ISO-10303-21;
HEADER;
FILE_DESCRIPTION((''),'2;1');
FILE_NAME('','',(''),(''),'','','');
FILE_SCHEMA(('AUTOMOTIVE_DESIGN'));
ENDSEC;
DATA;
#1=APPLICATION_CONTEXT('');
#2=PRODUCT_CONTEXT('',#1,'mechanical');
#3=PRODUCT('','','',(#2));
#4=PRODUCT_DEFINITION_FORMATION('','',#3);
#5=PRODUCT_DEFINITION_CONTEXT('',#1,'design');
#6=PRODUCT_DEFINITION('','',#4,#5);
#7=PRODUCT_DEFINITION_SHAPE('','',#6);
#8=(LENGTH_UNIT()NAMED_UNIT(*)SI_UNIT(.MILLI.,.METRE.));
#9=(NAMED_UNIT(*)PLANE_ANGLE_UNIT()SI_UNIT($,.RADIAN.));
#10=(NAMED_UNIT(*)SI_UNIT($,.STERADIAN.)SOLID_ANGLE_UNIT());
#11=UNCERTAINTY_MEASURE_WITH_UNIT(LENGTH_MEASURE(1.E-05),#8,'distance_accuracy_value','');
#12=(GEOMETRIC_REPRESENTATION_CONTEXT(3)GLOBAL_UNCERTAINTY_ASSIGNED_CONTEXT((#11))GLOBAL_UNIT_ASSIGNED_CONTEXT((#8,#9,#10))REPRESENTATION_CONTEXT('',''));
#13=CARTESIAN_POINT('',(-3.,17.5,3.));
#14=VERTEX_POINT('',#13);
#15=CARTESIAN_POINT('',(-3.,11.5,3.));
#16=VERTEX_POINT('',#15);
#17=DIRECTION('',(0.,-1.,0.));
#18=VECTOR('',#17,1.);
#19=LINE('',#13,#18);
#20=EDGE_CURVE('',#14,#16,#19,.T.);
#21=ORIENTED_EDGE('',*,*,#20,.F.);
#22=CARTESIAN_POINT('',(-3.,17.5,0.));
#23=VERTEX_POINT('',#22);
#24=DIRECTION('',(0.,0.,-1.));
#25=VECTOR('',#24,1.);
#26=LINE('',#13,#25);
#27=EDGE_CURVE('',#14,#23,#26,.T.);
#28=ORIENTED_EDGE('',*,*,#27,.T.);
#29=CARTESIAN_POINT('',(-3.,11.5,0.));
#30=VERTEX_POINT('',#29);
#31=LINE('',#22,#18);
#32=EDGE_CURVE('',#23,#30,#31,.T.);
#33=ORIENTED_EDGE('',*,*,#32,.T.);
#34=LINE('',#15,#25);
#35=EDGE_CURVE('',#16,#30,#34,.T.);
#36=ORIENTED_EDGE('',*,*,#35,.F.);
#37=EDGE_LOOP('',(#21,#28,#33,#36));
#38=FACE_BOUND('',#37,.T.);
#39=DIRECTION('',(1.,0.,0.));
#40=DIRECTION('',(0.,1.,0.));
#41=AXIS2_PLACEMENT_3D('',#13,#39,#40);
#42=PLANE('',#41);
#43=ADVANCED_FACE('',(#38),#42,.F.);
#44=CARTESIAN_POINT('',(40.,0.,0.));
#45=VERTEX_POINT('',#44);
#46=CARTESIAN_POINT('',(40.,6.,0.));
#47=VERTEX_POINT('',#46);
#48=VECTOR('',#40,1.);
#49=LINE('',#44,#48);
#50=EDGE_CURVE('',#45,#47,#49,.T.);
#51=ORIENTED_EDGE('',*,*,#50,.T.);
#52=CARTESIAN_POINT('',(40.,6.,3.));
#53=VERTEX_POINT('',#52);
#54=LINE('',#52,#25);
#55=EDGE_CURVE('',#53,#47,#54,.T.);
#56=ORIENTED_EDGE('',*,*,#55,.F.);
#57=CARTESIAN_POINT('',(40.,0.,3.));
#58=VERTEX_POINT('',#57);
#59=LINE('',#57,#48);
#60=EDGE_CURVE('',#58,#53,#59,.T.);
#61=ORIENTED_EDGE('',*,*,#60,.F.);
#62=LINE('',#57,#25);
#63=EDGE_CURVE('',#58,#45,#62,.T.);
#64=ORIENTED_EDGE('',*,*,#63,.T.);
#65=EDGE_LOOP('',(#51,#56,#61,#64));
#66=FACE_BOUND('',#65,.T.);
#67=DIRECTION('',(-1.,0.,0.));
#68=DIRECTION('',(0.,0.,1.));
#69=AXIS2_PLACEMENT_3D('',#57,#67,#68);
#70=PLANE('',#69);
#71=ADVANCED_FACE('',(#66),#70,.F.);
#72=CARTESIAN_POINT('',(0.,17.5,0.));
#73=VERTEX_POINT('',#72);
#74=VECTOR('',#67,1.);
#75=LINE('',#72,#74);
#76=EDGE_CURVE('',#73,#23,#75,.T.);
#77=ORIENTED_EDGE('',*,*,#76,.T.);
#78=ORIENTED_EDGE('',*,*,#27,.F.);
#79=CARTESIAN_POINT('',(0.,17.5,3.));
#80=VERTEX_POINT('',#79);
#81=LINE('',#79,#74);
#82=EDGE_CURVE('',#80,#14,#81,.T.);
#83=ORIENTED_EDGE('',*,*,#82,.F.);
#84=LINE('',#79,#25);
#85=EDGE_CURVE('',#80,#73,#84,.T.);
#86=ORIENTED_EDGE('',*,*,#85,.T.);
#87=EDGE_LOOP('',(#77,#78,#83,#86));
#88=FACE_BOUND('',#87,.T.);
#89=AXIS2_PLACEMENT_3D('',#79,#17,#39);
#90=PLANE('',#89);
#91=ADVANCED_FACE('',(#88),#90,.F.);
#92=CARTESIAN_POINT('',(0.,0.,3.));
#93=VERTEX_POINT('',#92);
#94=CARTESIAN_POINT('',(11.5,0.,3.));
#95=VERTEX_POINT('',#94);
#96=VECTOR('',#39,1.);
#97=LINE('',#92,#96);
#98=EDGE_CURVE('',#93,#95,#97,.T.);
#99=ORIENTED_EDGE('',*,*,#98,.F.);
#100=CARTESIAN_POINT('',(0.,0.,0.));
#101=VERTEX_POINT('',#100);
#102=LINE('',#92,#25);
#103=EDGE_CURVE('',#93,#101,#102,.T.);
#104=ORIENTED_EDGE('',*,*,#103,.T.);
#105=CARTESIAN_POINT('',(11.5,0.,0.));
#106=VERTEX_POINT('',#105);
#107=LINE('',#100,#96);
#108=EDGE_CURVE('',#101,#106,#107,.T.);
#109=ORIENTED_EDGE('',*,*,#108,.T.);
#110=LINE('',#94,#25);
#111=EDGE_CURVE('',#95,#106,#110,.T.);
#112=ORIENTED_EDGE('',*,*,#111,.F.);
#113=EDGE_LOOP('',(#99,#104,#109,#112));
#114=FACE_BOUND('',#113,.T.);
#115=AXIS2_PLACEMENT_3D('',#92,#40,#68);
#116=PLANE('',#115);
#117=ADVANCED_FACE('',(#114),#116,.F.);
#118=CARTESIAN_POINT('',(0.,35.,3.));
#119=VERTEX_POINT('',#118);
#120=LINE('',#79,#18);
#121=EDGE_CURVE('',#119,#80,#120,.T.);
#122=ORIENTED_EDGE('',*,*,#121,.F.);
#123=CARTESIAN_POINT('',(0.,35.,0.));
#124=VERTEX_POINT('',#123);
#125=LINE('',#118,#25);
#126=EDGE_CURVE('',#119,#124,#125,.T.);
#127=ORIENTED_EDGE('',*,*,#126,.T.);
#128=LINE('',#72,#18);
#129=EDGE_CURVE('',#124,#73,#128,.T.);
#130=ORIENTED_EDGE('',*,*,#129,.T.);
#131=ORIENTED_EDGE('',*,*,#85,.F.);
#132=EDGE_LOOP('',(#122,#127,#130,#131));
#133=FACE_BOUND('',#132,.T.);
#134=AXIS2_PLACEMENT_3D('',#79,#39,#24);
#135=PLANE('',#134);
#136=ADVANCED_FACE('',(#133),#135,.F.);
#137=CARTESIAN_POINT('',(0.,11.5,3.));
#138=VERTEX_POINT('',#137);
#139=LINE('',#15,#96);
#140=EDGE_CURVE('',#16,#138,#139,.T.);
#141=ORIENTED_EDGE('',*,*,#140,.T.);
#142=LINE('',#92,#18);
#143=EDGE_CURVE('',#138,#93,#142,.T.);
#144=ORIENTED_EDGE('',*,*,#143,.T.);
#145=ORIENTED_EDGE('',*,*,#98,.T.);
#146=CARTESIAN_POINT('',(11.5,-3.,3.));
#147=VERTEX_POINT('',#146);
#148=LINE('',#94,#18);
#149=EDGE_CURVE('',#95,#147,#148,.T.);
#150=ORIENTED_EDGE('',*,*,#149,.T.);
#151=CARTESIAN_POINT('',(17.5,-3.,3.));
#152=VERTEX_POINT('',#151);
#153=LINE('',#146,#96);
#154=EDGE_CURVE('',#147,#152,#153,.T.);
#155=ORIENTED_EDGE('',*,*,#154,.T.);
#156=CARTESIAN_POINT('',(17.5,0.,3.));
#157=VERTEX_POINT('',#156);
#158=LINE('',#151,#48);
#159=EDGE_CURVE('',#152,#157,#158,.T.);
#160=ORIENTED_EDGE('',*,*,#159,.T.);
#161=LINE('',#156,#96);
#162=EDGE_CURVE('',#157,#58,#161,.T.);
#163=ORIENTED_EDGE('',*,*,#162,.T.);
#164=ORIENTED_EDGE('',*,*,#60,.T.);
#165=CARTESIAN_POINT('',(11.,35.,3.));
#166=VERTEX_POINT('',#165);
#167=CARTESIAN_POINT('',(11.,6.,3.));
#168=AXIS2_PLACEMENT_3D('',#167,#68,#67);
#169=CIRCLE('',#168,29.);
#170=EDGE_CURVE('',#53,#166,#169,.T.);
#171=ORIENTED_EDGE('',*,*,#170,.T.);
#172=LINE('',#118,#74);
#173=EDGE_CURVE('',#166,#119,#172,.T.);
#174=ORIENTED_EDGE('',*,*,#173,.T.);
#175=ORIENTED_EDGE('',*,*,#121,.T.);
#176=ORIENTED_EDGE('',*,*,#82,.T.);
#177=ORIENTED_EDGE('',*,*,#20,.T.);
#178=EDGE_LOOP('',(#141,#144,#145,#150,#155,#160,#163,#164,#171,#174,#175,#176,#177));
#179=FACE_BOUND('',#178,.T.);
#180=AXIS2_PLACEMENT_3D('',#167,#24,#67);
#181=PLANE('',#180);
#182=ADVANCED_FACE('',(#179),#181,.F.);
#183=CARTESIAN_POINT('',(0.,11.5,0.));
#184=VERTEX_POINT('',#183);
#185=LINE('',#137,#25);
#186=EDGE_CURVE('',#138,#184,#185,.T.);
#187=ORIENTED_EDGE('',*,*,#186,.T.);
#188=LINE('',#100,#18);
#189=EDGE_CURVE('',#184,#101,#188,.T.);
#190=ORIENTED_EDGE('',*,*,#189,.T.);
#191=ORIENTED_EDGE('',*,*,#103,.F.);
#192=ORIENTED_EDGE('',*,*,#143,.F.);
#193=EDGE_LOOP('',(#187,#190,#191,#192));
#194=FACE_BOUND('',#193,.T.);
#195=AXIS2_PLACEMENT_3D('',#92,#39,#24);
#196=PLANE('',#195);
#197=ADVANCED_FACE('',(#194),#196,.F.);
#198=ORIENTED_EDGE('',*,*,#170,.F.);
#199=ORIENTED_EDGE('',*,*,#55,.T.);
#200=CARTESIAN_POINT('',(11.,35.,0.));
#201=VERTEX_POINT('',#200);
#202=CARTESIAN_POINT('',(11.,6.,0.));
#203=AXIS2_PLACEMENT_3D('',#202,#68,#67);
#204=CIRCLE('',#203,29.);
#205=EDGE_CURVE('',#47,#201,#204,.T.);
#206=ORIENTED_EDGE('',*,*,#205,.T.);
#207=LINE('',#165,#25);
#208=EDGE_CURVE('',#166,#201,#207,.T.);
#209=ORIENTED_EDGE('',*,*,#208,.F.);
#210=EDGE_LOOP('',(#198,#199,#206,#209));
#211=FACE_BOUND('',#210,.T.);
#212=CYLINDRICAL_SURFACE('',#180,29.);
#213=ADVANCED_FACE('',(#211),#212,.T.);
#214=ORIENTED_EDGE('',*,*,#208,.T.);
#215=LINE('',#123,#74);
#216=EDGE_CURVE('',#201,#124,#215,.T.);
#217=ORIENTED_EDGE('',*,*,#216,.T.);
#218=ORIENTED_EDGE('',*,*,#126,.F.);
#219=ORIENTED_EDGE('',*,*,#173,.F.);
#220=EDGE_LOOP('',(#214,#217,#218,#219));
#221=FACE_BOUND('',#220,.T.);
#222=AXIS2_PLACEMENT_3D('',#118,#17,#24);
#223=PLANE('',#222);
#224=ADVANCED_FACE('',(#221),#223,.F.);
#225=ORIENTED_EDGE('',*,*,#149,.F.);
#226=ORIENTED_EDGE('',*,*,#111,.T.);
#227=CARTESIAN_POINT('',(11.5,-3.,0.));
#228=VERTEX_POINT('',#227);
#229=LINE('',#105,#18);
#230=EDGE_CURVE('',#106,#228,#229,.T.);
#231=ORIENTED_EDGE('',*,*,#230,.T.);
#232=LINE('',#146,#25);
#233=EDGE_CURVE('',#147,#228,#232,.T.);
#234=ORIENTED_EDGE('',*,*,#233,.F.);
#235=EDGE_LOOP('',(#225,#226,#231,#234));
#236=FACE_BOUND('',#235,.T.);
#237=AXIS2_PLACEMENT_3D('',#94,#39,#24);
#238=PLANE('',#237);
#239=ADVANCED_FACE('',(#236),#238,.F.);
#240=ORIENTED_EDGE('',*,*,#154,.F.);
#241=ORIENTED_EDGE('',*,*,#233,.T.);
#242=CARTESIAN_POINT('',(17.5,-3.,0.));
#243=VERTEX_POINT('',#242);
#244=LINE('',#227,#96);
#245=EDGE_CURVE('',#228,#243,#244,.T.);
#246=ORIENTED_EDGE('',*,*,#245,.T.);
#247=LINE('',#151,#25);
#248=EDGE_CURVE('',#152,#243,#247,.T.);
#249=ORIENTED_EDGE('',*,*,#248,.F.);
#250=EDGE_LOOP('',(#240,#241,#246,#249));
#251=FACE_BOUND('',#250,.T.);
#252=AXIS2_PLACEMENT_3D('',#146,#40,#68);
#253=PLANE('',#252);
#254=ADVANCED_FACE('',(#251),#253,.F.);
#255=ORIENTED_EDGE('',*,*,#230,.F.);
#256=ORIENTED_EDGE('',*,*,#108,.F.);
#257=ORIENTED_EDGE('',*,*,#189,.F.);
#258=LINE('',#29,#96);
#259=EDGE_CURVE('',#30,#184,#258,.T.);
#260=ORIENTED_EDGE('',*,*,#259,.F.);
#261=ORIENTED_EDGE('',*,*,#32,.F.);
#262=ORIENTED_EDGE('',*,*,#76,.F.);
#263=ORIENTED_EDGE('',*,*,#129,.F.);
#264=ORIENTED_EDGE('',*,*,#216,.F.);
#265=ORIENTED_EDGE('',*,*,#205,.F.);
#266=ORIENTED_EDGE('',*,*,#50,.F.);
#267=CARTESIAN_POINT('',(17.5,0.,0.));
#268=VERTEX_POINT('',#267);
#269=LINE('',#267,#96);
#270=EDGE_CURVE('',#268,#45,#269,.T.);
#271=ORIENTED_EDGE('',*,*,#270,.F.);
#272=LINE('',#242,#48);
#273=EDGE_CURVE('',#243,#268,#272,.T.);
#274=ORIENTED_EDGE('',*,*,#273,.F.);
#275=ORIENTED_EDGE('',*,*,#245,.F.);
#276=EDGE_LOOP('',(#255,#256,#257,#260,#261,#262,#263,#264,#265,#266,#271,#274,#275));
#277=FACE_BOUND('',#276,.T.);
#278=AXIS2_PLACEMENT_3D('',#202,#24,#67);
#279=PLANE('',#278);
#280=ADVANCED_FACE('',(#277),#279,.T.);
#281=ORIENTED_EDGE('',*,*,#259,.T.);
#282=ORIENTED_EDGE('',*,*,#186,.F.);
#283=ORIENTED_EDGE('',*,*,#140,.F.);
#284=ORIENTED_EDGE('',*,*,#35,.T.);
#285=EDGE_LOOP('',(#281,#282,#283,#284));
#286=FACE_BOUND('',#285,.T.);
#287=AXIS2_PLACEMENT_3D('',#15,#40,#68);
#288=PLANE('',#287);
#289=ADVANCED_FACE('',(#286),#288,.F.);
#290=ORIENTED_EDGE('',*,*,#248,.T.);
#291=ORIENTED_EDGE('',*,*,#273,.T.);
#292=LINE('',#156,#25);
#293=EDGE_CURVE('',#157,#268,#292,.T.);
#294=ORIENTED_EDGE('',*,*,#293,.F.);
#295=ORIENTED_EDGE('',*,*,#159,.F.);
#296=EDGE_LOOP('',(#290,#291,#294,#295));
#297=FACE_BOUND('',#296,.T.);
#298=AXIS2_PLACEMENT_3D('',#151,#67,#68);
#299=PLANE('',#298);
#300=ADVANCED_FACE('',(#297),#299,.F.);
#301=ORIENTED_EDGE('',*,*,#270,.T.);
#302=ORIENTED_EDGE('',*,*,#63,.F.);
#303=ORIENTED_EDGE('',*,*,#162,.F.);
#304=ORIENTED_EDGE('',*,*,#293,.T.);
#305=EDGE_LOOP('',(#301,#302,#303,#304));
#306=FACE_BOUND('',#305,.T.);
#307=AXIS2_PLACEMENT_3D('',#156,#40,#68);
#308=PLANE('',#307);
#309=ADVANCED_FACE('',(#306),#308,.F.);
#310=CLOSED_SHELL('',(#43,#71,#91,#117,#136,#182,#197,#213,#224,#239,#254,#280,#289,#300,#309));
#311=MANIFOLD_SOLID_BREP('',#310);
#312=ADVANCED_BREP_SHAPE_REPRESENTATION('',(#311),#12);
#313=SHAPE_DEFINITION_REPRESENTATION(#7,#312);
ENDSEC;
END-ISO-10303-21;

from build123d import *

# Parameters (mm, degrees)
EXTRUDE_1_DEPTH = 3


with BuildPart() as part:
    # 草图1 → 凸台-拉伸1 (new body)
    with BuildSketch(Plane.XY):
        with BuildLine():
            Line((0, 17.5), (-3, 17.5))
            Line((-3, 17.5), (-3, 11.5))
            Line((-3, 11.5), (0, 11.5))
            Line((0, 11.5), (0, 0))
            Line((0, 0), (11.5, 0))
            Line((11.5, 0), (11.5, -3))
            Line((11.5, -3), (17.5, -3))
            Line((17.5, -3), (17.5, 0))
            Line((17.5, 0), (40, 0))
            Line((40, 0), (40, 6))
            ThreePointArc((40, 6), (31.506096654, 26.506096654), (11, 35))
            Line((11, 35), (0, 35))
            Line((0, 35), (0, 17.5))
        make_face()
    extrude(amount=EXTRUDE_1_DEPTH)


solid = part.part
